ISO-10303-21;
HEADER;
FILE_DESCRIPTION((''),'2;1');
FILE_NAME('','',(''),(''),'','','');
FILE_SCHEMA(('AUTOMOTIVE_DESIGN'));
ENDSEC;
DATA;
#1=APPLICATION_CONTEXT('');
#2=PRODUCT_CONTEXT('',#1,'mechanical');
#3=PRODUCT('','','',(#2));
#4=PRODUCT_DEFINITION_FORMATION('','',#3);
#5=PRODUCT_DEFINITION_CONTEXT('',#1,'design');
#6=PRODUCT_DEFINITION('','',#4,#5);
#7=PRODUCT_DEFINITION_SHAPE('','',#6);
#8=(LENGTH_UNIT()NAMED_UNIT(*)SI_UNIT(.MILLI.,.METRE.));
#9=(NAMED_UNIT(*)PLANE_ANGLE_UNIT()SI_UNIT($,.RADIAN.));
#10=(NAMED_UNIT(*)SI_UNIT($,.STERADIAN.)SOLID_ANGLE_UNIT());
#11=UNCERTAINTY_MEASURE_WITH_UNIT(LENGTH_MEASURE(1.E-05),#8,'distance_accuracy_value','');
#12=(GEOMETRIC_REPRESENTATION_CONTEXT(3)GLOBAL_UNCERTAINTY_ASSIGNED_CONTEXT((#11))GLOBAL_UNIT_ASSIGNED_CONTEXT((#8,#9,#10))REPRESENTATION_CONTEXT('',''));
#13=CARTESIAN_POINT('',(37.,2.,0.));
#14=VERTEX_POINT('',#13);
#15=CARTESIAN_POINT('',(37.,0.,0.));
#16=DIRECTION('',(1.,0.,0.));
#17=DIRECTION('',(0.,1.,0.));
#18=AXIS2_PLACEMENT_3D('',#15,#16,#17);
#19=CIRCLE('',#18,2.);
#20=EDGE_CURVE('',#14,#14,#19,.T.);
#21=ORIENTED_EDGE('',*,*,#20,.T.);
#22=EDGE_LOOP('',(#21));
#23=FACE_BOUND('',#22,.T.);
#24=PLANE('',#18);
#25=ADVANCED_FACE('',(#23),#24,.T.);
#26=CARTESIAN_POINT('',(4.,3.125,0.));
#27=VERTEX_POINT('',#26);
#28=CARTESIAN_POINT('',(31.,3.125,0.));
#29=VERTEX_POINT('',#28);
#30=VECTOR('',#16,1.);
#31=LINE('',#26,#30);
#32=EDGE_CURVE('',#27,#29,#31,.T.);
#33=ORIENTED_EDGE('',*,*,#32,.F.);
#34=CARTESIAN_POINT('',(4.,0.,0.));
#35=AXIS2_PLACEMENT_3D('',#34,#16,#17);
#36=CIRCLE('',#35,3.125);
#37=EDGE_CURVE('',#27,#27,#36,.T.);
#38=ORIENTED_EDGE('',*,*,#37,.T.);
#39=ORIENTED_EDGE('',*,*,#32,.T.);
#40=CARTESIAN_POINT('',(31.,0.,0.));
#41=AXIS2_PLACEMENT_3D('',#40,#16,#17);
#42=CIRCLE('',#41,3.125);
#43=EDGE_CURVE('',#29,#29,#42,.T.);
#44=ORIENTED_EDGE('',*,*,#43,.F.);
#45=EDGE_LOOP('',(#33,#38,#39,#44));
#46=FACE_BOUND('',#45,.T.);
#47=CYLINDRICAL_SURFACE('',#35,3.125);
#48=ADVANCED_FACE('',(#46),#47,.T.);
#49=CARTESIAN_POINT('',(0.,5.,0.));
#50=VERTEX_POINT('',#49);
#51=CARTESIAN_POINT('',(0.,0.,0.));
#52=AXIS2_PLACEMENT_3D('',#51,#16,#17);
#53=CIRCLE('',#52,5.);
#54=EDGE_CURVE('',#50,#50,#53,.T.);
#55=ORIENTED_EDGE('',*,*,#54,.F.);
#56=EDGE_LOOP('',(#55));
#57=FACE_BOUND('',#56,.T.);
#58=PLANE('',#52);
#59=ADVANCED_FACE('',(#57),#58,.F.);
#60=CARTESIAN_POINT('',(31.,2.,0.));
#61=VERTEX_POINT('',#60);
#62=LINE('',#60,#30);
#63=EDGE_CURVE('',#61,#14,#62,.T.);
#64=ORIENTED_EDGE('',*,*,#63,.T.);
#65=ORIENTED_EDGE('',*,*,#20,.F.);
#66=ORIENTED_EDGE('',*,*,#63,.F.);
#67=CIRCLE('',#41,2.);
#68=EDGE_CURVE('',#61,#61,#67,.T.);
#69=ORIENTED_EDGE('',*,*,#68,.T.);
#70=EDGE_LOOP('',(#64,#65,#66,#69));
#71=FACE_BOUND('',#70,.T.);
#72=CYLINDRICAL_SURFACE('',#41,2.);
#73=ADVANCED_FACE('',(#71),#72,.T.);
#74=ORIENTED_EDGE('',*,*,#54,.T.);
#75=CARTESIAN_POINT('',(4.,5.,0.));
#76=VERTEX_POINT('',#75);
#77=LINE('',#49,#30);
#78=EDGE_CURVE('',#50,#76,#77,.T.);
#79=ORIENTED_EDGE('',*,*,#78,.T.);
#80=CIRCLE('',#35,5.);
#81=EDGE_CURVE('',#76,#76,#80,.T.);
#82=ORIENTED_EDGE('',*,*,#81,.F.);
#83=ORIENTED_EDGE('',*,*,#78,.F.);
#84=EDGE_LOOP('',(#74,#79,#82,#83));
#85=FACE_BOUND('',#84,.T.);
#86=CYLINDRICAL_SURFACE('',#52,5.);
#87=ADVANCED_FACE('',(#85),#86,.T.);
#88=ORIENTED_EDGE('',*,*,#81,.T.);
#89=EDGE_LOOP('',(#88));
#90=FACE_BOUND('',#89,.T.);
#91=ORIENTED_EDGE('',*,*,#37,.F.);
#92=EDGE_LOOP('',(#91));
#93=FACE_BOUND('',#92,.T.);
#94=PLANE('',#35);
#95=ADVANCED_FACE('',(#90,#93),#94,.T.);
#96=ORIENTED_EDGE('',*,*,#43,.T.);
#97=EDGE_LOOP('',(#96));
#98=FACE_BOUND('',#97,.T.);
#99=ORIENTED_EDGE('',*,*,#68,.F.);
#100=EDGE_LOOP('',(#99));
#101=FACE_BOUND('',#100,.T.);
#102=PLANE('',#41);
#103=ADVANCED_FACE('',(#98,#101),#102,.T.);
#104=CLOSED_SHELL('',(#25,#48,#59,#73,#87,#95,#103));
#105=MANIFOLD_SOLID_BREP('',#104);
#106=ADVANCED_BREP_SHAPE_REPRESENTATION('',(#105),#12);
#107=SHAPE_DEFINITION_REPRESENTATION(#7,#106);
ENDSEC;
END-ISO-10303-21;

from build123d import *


with BuildPart() as part:
    # Sketch1 → Revolve1 (revolve)
    with BuildSketch(Plane.XY):
        Polygon((0, 0), (0, 5), (4, 5), (4, 3.125), (31, 3.125), (31, 2), (37, 2), (37, 0), align=None)
    revolve(axis=Axis((0, 0, 0), (1, 0, 0)))


solid = part.part
